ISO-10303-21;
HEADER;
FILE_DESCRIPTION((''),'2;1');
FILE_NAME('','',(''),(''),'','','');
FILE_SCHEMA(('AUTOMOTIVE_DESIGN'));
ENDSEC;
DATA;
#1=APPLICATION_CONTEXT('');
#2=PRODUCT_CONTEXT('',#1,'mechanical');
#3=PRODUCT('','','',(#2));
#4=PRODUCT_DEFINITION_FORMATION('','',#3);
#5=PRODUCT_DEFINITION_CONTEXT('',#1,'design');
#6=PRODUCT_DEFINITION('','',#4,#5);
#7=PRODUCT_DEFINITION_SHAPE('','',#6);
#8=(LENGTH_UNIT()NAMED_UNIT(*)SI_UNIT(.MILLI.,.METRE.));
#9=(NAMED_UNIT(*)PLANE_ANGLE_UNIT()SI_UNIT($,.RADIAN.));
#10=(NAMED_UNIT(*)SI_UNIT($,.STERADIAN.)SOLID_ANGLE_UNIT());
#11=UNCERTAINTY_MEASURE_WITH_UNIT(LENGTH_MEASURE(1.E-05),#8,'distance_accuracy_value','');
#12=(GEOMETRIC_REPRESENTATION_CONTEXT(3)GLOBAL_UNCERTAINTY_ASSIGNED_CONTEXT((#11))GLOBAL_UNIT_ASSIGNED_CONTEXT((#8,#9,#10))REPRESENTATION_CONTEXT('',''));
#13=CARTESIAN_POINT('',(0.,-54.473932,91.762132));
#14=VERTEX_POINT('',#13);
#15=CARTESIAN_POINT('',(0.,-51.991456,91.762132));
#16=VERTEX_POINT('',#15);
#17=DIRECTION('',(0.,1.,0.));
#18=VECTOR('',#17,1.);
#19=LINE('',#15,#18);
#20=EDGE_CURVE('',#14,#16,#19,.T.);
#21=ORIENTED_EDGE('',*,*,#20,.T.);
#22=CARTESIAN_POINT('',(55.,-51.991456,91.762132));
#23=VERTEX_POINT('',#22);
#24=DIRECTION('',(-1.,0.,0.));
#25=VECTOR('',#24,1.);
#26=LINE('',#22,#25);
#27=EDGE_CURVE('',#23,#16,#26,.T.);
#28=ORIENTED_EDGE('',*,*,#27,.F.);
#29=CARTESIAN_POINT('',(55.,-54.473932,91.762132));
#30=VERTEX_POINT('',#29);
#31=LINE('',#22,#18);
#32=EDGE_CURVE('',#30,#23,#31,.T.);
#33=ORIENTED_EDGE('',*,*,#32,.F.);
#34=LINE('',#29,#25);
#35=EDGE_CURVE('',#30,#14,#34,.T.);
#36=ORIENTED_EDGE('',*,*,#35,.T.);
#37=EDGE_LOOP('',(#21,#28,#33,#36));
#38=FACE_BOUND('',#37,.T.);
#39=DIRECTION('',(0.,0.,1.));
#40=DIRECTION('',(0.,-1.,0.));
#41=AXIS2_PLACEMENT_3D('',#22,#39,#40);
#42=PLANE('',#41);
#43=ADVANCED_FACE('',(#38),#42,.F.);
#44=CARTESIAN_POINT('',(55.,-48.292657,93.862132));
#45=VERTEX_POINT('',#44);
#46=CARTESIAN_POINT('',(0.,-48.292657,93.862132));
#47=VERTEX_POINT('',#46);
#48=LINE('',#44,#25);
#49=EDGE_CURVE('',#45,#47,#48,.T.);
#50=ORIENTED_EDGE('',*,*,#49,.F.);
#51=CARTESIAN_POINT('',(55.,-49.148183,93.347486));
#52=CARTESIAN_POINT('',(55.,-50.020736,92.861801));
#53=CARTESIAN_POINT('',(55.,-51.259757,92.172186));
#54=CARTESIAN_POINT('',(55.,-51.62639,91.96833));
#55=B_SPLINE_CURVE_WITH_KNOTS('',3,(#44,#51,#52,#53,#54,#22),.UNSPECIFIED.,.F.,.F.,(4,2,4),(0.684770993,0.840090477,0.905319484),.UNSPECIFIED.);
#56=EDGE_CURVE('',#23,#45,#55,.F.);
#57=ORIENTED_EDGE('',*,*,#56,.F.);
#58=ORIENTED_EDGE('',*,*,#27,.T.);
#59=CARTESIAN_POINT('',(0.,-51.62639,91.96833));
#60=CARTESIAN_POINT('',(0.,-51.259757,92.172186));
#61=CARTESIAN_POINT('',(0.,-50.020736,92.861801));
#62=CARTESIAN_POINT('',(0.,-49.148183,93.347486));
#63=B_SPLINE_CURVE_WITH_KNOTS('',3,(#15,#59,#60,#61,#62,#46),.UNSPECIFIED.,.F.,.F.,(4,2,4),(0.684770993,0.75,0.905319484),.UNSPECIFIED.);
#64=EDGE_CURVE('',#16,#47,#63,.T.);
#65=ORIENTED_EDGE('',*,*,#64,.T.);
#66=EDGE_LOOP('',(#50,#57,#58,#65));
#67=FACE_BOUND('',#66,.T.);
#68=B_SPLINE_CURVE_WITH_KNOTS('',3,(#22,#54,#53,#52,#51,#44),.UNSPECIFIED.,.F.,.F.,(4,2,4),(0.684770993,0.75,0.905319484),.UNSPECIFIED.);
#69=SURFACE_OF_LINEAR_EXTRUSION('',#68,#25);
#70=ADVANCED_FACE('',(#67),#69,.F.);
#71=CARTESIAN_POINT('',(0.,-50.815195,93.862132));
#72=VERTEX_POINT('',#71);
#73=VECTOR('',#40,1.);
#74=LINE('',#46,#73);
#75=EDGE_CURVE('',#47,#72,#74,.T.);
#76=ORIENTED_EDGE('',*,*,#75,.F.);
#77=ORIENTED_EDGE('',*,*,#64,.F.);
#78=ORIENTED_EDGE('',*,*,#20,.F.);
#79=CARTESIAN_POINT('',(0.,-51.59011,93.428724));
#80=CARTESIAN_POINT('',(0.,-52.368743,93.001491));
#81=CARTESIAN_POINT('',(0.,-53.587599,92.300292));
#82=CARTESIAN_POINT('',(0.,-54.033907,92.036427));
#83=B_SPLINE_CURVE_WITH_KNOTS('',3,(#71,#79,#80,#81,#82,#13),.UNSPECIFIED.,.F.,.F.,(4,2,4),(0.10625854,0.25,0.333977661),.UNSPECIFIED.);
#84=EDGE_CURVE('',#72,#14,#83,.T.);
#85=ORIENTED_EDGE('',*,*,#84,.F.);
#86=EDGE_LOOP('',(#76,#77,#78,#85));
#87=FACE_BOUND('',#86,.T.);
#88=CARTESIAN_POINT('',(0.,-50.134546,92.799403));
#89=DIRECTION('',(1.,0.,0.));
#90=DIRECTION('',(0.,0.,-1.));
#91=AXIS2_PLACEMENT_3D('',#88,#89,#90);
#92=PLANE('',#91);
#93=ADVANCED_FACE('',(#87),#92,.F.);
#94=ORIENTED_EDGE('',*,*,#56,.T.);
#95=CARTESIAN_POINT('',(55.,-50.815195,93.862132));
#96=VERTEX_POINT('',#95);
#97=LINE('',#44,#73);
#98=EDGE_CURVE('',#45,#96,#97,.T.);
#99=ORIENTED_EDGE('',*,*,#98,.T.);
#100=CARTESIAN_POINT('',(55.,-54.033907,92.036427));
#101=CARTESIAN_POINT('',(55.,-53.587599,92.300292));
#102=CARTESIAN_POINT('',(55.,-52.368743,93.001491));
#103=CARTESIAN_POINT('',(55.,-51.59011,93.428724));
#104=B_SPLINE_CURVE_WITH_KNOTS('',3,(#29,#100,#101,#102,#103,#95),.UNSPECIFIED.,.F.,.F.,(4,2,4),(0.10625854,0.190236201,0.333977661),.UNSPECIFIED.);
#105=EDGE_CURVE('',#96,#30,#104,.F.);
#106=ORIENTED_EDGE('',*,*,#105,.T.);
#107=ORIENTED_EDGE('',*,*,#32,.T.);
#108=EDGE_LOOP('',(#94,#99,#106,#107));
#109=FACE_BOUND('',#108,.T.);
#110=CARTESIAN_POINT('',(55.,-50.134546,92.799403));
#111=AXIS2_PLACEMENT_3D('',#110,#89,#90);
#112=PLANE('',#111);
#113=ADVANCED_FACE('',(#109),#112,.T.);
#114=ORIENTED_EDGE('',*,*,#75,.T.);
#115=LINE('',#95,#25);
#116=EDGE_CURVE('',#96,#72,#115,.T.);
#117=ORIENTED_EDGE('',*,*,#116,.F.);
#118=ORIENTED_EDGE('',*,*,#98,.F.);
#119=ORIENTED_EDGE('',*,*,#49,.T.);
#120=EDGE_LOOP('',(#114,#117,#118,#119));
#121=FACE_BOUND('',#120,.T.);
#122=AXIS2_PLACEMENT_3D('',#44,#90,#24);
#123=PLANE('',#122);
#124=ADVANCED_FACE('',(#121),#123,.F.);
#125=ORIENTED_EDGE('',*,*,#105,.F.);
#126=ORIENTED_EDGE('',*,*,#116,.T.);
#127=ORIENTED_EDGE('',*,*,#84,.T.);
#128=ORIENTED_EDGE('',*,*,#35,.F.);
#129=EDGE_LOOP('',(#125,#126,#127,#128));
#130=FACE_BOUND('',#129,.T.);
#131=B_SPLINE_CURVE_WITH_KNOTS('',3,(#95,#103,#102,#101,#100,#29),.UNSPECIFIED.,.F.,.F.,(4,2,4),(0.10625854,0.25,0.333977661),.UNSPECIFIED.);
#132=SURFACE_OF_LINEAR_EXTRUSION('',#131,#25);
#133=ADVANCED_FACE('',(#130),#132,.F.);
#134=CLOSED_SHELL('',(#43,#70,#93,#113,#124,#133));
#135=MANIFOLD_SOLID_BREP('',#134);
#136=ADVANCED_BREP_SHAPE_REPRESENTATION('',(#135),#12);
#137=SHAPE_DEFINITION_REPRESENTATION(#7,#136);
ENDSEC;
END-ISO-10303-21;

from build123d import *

# Parameters (mm, degrees)
BOSS_EXTRUDE1_DEPTH = 55


with BuildPart() as part:
    # Sketch1 → Boss-Extrude1 (new body)
    with BuildSketch(Plane(origin=(0, 0, 0), x_dir=(0, 0, -1), z_dir=(1, 0, 0))):
        with BuildLine():
            Line((-93.862132178, -48.29265664), (-93.862132178, -50.815195386))
            add(Edge.make_bspline(
                [(-93.862132178, -50.815195386), (-93.428724323, -51.590109603), (-93.001491452, -52.368743199), (-92.300291813, -53.587599451), (-92.036427489, -54.033907114), (-91.762132178, -54.47393188)],
                knots=[0.10625854, 0.10625854, 0.10625854, 0.10625854, 0.25, 0.25, 0.333977661, 0.333977661, 0.333977661, 0.333977661], degree=3))
            Line((-91.762132178, -54.47393188), (-91.762132178, -51.991456166))
            add(Edge.make_bspline(
                [(-91.762132178, -51.991456166), (-91.968330298, -51.626390185), (-92.172186308, -51.259756718), (-92.861800579, -50.020735858), (-93.347486201, -49.148183332), (-93.862132178, -48.29265664)],
                knots=[0.684770993, 0.684770993, 0.684770993, 0.684770993, 0.75, 0.75, 0.905319484, 0.905319484, 0.905319484, 0.905319484], degree=3))
        make_face()
    extrude(amount=BOSS_EXTRUDE1_DEPTH)


solid = part.part
